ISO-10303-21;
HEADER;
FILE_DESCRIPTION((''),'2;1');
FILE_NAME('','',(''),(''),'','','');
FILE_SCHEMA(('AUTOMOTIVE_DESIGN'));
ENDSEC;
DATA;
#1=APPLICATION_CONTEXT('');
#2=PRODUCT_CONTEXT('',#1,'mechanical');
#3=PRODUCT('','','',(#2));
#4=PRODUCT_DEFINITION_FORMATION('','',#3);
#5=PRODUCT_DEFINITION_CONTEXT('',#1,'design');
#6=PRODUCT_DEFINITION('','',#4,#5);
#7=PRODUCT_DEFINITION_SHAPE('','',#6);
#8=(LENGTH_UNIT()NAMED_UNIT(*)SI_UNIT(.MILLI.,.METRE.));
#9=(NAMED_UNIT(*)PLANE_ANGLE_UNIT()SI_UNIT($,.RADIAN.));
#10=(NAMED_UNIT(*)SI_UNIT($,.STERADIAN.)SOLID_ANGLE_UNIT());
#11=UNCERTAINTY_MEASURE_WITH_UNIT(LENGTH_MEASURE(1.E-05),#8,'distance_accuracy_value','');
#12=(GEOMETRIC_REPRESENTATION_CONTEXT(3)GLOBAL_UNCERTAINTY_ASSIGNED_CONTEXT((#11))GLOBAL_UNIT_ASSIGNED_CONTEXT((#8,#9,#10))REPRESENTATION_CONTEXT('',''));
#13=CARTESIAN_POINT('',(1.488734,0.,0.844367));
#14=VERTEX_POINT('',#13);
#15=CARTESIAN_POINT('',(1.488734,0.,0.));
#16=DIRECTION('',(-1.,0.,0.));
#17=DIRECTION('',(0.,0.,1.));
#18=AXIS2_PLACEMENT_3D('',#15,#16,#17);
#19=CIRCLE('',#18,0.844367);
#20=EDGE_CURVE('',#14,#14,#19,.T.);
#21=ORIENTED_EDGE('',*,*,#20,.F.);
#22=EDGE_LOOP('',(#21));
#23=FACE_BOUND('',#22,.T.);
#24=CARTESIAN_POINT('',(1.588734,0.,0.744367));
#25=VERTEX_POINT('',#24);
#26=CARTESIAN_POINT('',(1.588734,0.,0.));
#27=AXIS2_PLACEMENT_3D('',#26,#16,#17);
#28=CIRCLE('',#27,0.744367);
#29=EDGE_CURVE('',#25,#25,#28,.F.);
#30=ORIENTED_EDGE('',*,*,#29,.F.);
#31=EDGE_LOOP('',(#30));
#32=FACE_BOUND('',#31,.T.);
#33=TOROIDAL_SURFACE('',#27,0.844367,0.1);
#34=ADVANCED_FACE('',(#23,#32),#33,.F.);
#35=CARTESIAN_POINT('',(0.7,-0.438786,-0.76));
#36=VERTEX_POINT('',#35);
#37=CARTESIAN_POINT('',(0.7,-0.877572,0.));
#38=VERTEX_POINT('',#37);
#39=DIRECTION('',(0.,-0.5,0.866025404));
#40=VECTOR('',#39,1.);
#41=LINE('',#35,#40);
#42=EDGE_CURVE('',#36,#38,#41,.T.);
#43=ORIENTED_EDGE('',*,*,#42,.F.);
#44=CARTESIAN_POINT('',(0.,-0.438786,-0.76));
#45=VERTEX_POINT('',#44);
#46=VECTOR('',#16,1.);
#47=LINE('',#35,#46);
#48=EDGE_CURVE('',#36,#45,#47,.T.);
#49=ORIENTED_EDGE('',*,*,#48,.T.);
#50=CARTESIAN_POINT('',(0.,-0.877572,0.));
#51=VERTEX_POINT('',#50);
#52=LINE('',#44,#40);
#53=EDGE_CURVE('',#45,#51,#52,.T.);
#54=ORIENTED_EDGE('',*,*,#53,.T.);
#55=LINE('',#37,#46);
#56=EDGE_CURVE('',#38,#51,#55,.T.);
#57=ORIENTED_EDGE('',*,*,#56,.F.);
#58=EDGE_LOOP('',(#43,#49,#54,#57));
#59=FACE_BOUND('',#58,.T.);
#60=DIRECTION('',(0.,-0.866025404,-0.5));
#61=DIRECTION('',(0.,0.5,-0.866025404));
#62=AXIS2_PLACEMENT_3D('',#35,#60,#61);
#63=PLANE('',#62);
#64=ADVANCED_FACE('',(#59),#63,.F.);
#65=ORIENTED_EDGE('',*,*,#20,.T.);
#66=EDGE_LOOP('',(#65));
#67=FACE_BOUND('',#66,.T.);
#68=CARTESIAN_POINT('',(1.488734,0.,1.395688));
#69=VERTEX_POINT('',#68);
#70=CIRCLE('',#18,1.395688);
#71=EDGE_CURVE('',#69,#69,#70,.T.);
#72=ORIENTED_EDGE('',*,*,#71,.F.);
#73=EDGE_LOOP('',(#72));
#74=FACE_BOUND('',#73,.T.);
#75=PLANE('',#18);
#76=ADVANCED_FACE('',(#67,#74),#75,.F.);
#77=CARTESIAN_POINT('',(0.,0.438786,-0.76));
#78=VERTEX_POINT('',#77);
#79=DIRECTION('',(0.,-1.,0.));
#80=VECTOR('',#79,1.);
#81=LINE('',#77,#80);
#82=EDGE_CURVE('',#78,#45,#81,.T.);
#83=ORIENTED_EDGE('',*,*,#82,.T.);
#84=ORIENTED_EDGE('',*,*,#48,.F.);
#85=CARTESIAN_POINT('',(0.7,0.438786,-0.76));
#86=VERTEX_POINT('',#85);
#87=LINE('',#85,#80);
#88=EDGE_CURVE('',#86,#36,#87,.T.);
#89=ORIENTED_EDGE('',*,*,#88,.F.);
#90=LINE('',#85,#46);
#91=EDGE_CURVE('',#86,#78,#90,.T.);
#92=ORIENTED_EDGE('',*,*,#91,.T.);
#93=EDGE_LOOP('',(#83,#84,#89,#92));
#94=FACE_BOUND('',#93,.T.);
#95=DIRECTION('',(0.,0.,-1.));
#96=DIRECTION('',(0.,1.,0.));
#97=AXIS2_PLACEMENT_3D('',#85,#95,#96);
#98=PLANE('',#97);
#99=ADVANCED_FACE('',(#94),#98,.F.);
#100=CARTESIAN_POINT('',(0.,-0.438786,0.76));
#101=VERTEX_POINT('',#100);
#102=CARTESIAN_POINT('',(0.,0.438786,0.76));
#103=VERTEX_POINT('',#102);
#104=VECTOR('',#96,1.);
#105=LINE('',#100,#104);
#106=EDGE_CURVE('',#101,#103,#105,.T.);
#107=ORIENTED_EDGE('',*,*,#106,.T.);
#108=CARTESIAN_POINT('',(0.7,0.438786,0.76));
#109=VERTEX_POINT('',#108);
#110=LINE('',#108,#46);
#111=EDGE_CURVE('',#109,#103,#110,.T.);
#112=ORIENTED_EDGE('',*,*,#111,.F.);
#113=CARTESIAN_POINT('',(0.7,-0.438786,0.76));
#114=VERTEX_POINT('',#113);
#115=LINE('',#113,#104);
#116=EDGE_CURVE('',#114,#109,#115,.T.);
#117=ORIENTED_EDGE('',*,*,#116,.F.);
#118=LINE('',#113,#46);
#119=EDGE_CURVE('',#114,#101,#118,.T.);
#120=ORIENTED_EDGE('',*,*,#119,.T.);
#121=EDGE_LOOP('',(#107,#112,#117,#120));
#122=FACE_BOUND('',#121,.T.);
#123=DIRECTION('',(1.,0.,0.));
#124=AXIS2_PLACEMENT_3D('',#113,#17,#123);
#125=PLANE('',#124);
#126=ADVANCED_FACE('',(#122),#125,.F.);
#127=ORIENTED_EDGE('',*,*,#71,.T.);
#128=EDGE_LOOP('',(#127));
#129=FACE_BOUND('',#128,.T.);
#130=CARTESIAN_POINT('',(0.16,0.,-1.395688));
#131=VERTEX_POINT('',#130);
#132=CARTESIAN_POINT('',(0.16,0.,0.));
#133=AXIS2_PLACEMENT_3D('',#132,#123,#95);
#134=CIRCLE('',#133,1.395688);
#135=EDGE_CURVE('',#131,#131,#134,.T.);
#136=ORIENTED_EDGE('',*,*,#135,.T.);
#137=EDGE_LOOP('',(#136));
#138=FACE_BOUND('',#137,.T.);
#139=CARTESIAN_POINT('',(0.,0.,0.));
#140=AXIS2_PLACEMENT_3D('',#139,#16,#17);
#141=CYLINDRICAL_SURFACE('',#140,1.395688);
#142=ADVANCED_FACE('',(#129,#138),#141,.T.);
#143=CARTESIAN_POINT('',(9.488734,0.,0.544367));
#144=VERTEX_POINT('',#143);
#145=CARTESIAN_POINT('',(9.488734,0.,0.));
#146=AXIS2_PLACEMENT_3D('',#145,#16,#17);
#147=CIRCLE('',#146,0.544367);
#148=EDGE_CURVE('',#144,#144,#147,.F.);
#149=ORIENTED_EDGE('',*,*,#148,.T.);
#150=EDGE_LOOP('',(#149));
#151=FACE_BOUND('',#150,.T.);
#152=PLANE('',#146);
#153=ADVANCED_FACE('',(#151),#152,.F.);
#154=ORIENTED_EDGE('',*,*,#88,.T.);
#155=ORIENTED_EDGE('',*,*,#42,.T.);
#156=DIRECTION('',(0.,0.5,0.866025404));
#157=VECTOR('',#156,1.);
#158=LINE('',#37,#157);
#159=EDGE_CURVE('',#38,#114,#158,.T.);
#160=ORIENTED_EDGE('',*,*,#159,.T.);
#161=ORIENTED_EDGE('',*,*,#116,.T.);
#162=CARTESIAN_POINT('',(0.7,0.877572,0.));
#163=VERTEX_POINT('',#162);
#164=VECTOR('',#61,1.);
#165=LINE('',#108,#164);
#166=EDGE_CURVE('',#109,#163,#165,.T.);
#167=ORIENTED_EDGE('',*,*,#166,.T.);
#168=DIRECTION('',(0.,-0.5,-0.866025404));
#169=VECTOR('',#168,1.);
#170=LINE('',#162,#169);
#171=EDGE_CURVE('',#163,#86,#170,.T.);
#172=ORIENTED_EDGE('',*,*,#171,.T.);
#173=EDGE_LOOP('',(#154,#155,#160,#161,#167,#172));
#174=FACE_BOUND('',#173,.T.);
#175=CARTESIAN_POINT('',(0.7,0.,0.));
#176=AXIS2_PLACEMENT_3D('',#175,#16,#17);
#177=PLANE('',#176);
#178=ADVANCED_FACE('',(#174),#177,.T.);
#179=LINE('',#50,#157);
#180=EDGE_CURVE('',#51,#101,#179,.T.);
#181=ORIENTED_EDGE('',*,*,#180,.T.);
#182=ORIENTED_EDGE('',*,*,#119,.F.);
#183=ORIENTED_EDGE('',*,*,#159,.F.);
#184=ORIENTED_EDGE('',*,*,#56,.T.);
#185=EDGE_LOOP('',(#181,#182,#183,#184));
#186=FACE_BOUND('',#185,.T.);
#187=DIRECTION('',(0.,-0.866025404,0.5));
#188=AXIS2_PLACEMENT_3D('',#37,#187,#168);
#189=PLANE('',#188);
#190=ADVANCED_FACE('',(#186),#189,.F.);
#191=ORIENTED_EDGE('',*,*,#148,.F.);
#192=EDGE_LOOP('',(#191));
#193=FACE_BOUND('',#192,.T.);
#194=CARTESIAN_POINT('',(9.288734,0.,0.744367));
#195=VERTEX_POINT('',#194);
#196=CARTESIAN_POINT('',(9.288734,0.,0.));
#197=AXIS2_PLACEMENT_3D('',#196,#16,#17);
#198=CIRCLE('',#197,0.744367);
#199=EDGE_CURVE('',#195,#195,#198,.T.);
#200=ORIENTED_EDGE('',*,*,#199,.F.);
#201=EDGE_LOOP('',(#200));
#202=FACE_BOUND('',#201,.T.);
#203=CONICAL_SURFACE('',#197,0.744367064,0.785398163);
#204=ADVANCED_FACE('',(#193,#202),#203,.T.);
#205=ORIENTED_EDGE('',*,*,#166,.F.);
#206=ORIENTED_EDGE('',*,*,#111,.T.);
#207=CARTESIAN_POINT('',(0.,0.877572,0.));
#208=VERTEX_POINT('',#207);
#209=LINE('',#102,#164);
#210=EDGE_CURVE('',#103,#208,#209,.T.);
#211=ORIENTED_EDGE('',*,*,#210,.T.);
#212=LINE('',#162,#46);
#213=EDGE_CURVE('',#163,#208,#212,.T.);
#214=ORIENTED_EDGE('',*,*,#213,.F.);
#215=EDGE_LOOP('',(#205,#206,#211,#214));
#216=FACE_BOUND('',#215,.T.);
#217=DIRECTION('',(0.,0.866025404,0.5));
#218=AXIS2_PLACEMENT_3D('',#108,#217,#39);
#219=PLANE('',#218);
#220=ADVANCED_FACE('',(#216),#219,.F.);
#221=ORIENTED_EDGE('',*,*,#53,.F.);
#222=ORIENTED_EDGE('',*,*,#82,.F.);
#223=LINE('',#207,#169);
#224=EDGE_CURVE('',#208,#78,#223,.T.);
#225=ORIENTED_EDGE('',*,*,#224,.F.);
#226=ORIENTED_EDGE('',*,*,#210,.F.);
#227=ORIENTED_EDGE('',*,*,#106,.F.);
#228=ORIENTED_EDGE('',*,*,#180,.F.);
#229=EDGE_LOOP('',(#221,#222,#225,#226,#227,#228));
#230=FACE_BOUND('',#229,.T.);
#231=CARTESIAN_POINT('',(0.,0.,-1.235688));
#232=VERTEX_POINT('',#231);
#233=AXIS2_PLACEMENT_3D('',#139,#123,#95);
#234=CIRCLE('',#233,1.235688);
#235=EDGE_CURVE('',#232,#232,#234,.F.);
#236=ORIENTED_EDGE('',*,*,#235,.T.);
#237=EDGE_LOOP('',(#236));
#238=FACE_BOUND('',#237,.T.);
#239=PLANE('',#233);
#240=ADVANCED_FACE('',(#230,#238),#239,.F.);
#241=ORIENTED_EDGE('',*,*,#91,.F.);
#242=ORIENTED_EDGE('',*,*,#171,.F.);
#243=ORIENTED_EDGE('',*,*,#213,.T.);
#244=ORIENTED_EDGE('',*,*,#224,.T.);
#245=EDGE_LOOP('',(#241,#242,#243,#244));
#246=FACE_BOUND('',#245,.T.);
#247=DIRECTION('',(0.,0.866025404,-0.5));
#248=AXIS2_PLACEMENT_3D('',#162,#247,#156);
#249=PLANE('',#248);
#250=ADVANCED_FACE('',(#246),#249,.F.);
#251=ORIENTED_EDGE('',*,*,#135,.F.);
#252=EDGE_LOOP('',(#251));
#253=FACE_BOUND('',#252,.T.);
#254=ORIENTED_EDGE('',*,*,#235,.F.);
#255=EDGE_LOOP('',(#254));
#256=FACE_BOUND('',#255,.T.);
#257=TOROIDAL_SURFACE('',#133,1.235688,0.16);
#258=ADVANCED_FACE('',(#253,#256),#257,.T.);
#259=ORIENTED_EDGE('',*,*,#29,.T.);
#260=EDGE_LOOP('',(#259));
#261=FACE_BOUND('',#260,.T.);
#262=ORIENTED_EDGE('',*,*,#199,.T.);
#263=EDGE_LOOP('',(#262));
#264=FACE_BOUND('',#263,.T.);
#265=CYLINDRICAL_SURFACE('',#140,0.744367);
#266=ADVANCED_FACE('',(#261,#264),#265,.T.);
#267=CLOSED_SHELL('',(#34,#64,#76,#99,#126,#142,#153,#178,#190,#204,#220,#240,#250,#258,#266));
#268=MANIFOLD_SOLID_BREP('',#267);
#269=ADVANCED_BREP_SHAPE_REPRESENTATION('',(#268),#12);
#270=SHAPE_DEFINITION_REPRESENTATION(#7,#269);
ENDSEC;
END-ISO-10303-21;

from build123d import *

# Parameters (mm, degrees)
FILLET1_R      = 0.1
FILLET2_R      = 0.16
CHAMFER1_SIZE  = 0.2
EXTRUDE1_DEPTH = 0.7


with BuildPart() as part:
    # Sketch1 → Revolve1 (revolve)
    with BuildSketch(Plane.XY, mode=Mode.PRIVATE) as revolve1_sk:
        Polygon((0, 1.395688245), (0, 0), (9.488734128, 0), (9.488734128, 0.744367064), (1.488734128, 0.744367064), (1.488734128, 1.395688245), align=None)
    revolve(revolve1_sk.sketch.rotate(Axis((0, 0, 0), (1, 0, 0)), 90), axis=Axis((0, 0, 0), (1, 0, 0)))

    # Fillet1
    fillet1_edges = [part.edges().sort_by_distance(p)[0] for p in [
        (1.488734128, 0, -0.744367064),
    ]]
    fillet(fillet1_edges, radius=FILLET1_R)

    # Fillet2
    fillet2_edges = [part.edges().sort_by_distance(p)[0] for p in [
        (0, 0, -1.395688245),
    ]]
    fillet(fillet2_edges, radius=FILLET2_R)

    # Chamfer1
    chamfer1_edges = [part.edges().sort_by_distance(p)[0] for p in [
        (9.488734128, 0, -0.744367064),
    ]]
    chamfer(chamfer1_edges, length=CHAMFER1_SIZE)

    # Sketch2 → Extrude1 (cut)
    with BuildSketch(Plane.ZY):
        Polygon((0, 0.877572409), (-0.76, 0.438786205), (-0.76, -0.438786205), (0, -0.877572409), (0.76, -0.438786205), (0.76, 0.438786205), align=None)
    extrude(amount=-EXTRUDE1_DEPTH, mode=Mode.SUBTRACT)


solid = part.part
